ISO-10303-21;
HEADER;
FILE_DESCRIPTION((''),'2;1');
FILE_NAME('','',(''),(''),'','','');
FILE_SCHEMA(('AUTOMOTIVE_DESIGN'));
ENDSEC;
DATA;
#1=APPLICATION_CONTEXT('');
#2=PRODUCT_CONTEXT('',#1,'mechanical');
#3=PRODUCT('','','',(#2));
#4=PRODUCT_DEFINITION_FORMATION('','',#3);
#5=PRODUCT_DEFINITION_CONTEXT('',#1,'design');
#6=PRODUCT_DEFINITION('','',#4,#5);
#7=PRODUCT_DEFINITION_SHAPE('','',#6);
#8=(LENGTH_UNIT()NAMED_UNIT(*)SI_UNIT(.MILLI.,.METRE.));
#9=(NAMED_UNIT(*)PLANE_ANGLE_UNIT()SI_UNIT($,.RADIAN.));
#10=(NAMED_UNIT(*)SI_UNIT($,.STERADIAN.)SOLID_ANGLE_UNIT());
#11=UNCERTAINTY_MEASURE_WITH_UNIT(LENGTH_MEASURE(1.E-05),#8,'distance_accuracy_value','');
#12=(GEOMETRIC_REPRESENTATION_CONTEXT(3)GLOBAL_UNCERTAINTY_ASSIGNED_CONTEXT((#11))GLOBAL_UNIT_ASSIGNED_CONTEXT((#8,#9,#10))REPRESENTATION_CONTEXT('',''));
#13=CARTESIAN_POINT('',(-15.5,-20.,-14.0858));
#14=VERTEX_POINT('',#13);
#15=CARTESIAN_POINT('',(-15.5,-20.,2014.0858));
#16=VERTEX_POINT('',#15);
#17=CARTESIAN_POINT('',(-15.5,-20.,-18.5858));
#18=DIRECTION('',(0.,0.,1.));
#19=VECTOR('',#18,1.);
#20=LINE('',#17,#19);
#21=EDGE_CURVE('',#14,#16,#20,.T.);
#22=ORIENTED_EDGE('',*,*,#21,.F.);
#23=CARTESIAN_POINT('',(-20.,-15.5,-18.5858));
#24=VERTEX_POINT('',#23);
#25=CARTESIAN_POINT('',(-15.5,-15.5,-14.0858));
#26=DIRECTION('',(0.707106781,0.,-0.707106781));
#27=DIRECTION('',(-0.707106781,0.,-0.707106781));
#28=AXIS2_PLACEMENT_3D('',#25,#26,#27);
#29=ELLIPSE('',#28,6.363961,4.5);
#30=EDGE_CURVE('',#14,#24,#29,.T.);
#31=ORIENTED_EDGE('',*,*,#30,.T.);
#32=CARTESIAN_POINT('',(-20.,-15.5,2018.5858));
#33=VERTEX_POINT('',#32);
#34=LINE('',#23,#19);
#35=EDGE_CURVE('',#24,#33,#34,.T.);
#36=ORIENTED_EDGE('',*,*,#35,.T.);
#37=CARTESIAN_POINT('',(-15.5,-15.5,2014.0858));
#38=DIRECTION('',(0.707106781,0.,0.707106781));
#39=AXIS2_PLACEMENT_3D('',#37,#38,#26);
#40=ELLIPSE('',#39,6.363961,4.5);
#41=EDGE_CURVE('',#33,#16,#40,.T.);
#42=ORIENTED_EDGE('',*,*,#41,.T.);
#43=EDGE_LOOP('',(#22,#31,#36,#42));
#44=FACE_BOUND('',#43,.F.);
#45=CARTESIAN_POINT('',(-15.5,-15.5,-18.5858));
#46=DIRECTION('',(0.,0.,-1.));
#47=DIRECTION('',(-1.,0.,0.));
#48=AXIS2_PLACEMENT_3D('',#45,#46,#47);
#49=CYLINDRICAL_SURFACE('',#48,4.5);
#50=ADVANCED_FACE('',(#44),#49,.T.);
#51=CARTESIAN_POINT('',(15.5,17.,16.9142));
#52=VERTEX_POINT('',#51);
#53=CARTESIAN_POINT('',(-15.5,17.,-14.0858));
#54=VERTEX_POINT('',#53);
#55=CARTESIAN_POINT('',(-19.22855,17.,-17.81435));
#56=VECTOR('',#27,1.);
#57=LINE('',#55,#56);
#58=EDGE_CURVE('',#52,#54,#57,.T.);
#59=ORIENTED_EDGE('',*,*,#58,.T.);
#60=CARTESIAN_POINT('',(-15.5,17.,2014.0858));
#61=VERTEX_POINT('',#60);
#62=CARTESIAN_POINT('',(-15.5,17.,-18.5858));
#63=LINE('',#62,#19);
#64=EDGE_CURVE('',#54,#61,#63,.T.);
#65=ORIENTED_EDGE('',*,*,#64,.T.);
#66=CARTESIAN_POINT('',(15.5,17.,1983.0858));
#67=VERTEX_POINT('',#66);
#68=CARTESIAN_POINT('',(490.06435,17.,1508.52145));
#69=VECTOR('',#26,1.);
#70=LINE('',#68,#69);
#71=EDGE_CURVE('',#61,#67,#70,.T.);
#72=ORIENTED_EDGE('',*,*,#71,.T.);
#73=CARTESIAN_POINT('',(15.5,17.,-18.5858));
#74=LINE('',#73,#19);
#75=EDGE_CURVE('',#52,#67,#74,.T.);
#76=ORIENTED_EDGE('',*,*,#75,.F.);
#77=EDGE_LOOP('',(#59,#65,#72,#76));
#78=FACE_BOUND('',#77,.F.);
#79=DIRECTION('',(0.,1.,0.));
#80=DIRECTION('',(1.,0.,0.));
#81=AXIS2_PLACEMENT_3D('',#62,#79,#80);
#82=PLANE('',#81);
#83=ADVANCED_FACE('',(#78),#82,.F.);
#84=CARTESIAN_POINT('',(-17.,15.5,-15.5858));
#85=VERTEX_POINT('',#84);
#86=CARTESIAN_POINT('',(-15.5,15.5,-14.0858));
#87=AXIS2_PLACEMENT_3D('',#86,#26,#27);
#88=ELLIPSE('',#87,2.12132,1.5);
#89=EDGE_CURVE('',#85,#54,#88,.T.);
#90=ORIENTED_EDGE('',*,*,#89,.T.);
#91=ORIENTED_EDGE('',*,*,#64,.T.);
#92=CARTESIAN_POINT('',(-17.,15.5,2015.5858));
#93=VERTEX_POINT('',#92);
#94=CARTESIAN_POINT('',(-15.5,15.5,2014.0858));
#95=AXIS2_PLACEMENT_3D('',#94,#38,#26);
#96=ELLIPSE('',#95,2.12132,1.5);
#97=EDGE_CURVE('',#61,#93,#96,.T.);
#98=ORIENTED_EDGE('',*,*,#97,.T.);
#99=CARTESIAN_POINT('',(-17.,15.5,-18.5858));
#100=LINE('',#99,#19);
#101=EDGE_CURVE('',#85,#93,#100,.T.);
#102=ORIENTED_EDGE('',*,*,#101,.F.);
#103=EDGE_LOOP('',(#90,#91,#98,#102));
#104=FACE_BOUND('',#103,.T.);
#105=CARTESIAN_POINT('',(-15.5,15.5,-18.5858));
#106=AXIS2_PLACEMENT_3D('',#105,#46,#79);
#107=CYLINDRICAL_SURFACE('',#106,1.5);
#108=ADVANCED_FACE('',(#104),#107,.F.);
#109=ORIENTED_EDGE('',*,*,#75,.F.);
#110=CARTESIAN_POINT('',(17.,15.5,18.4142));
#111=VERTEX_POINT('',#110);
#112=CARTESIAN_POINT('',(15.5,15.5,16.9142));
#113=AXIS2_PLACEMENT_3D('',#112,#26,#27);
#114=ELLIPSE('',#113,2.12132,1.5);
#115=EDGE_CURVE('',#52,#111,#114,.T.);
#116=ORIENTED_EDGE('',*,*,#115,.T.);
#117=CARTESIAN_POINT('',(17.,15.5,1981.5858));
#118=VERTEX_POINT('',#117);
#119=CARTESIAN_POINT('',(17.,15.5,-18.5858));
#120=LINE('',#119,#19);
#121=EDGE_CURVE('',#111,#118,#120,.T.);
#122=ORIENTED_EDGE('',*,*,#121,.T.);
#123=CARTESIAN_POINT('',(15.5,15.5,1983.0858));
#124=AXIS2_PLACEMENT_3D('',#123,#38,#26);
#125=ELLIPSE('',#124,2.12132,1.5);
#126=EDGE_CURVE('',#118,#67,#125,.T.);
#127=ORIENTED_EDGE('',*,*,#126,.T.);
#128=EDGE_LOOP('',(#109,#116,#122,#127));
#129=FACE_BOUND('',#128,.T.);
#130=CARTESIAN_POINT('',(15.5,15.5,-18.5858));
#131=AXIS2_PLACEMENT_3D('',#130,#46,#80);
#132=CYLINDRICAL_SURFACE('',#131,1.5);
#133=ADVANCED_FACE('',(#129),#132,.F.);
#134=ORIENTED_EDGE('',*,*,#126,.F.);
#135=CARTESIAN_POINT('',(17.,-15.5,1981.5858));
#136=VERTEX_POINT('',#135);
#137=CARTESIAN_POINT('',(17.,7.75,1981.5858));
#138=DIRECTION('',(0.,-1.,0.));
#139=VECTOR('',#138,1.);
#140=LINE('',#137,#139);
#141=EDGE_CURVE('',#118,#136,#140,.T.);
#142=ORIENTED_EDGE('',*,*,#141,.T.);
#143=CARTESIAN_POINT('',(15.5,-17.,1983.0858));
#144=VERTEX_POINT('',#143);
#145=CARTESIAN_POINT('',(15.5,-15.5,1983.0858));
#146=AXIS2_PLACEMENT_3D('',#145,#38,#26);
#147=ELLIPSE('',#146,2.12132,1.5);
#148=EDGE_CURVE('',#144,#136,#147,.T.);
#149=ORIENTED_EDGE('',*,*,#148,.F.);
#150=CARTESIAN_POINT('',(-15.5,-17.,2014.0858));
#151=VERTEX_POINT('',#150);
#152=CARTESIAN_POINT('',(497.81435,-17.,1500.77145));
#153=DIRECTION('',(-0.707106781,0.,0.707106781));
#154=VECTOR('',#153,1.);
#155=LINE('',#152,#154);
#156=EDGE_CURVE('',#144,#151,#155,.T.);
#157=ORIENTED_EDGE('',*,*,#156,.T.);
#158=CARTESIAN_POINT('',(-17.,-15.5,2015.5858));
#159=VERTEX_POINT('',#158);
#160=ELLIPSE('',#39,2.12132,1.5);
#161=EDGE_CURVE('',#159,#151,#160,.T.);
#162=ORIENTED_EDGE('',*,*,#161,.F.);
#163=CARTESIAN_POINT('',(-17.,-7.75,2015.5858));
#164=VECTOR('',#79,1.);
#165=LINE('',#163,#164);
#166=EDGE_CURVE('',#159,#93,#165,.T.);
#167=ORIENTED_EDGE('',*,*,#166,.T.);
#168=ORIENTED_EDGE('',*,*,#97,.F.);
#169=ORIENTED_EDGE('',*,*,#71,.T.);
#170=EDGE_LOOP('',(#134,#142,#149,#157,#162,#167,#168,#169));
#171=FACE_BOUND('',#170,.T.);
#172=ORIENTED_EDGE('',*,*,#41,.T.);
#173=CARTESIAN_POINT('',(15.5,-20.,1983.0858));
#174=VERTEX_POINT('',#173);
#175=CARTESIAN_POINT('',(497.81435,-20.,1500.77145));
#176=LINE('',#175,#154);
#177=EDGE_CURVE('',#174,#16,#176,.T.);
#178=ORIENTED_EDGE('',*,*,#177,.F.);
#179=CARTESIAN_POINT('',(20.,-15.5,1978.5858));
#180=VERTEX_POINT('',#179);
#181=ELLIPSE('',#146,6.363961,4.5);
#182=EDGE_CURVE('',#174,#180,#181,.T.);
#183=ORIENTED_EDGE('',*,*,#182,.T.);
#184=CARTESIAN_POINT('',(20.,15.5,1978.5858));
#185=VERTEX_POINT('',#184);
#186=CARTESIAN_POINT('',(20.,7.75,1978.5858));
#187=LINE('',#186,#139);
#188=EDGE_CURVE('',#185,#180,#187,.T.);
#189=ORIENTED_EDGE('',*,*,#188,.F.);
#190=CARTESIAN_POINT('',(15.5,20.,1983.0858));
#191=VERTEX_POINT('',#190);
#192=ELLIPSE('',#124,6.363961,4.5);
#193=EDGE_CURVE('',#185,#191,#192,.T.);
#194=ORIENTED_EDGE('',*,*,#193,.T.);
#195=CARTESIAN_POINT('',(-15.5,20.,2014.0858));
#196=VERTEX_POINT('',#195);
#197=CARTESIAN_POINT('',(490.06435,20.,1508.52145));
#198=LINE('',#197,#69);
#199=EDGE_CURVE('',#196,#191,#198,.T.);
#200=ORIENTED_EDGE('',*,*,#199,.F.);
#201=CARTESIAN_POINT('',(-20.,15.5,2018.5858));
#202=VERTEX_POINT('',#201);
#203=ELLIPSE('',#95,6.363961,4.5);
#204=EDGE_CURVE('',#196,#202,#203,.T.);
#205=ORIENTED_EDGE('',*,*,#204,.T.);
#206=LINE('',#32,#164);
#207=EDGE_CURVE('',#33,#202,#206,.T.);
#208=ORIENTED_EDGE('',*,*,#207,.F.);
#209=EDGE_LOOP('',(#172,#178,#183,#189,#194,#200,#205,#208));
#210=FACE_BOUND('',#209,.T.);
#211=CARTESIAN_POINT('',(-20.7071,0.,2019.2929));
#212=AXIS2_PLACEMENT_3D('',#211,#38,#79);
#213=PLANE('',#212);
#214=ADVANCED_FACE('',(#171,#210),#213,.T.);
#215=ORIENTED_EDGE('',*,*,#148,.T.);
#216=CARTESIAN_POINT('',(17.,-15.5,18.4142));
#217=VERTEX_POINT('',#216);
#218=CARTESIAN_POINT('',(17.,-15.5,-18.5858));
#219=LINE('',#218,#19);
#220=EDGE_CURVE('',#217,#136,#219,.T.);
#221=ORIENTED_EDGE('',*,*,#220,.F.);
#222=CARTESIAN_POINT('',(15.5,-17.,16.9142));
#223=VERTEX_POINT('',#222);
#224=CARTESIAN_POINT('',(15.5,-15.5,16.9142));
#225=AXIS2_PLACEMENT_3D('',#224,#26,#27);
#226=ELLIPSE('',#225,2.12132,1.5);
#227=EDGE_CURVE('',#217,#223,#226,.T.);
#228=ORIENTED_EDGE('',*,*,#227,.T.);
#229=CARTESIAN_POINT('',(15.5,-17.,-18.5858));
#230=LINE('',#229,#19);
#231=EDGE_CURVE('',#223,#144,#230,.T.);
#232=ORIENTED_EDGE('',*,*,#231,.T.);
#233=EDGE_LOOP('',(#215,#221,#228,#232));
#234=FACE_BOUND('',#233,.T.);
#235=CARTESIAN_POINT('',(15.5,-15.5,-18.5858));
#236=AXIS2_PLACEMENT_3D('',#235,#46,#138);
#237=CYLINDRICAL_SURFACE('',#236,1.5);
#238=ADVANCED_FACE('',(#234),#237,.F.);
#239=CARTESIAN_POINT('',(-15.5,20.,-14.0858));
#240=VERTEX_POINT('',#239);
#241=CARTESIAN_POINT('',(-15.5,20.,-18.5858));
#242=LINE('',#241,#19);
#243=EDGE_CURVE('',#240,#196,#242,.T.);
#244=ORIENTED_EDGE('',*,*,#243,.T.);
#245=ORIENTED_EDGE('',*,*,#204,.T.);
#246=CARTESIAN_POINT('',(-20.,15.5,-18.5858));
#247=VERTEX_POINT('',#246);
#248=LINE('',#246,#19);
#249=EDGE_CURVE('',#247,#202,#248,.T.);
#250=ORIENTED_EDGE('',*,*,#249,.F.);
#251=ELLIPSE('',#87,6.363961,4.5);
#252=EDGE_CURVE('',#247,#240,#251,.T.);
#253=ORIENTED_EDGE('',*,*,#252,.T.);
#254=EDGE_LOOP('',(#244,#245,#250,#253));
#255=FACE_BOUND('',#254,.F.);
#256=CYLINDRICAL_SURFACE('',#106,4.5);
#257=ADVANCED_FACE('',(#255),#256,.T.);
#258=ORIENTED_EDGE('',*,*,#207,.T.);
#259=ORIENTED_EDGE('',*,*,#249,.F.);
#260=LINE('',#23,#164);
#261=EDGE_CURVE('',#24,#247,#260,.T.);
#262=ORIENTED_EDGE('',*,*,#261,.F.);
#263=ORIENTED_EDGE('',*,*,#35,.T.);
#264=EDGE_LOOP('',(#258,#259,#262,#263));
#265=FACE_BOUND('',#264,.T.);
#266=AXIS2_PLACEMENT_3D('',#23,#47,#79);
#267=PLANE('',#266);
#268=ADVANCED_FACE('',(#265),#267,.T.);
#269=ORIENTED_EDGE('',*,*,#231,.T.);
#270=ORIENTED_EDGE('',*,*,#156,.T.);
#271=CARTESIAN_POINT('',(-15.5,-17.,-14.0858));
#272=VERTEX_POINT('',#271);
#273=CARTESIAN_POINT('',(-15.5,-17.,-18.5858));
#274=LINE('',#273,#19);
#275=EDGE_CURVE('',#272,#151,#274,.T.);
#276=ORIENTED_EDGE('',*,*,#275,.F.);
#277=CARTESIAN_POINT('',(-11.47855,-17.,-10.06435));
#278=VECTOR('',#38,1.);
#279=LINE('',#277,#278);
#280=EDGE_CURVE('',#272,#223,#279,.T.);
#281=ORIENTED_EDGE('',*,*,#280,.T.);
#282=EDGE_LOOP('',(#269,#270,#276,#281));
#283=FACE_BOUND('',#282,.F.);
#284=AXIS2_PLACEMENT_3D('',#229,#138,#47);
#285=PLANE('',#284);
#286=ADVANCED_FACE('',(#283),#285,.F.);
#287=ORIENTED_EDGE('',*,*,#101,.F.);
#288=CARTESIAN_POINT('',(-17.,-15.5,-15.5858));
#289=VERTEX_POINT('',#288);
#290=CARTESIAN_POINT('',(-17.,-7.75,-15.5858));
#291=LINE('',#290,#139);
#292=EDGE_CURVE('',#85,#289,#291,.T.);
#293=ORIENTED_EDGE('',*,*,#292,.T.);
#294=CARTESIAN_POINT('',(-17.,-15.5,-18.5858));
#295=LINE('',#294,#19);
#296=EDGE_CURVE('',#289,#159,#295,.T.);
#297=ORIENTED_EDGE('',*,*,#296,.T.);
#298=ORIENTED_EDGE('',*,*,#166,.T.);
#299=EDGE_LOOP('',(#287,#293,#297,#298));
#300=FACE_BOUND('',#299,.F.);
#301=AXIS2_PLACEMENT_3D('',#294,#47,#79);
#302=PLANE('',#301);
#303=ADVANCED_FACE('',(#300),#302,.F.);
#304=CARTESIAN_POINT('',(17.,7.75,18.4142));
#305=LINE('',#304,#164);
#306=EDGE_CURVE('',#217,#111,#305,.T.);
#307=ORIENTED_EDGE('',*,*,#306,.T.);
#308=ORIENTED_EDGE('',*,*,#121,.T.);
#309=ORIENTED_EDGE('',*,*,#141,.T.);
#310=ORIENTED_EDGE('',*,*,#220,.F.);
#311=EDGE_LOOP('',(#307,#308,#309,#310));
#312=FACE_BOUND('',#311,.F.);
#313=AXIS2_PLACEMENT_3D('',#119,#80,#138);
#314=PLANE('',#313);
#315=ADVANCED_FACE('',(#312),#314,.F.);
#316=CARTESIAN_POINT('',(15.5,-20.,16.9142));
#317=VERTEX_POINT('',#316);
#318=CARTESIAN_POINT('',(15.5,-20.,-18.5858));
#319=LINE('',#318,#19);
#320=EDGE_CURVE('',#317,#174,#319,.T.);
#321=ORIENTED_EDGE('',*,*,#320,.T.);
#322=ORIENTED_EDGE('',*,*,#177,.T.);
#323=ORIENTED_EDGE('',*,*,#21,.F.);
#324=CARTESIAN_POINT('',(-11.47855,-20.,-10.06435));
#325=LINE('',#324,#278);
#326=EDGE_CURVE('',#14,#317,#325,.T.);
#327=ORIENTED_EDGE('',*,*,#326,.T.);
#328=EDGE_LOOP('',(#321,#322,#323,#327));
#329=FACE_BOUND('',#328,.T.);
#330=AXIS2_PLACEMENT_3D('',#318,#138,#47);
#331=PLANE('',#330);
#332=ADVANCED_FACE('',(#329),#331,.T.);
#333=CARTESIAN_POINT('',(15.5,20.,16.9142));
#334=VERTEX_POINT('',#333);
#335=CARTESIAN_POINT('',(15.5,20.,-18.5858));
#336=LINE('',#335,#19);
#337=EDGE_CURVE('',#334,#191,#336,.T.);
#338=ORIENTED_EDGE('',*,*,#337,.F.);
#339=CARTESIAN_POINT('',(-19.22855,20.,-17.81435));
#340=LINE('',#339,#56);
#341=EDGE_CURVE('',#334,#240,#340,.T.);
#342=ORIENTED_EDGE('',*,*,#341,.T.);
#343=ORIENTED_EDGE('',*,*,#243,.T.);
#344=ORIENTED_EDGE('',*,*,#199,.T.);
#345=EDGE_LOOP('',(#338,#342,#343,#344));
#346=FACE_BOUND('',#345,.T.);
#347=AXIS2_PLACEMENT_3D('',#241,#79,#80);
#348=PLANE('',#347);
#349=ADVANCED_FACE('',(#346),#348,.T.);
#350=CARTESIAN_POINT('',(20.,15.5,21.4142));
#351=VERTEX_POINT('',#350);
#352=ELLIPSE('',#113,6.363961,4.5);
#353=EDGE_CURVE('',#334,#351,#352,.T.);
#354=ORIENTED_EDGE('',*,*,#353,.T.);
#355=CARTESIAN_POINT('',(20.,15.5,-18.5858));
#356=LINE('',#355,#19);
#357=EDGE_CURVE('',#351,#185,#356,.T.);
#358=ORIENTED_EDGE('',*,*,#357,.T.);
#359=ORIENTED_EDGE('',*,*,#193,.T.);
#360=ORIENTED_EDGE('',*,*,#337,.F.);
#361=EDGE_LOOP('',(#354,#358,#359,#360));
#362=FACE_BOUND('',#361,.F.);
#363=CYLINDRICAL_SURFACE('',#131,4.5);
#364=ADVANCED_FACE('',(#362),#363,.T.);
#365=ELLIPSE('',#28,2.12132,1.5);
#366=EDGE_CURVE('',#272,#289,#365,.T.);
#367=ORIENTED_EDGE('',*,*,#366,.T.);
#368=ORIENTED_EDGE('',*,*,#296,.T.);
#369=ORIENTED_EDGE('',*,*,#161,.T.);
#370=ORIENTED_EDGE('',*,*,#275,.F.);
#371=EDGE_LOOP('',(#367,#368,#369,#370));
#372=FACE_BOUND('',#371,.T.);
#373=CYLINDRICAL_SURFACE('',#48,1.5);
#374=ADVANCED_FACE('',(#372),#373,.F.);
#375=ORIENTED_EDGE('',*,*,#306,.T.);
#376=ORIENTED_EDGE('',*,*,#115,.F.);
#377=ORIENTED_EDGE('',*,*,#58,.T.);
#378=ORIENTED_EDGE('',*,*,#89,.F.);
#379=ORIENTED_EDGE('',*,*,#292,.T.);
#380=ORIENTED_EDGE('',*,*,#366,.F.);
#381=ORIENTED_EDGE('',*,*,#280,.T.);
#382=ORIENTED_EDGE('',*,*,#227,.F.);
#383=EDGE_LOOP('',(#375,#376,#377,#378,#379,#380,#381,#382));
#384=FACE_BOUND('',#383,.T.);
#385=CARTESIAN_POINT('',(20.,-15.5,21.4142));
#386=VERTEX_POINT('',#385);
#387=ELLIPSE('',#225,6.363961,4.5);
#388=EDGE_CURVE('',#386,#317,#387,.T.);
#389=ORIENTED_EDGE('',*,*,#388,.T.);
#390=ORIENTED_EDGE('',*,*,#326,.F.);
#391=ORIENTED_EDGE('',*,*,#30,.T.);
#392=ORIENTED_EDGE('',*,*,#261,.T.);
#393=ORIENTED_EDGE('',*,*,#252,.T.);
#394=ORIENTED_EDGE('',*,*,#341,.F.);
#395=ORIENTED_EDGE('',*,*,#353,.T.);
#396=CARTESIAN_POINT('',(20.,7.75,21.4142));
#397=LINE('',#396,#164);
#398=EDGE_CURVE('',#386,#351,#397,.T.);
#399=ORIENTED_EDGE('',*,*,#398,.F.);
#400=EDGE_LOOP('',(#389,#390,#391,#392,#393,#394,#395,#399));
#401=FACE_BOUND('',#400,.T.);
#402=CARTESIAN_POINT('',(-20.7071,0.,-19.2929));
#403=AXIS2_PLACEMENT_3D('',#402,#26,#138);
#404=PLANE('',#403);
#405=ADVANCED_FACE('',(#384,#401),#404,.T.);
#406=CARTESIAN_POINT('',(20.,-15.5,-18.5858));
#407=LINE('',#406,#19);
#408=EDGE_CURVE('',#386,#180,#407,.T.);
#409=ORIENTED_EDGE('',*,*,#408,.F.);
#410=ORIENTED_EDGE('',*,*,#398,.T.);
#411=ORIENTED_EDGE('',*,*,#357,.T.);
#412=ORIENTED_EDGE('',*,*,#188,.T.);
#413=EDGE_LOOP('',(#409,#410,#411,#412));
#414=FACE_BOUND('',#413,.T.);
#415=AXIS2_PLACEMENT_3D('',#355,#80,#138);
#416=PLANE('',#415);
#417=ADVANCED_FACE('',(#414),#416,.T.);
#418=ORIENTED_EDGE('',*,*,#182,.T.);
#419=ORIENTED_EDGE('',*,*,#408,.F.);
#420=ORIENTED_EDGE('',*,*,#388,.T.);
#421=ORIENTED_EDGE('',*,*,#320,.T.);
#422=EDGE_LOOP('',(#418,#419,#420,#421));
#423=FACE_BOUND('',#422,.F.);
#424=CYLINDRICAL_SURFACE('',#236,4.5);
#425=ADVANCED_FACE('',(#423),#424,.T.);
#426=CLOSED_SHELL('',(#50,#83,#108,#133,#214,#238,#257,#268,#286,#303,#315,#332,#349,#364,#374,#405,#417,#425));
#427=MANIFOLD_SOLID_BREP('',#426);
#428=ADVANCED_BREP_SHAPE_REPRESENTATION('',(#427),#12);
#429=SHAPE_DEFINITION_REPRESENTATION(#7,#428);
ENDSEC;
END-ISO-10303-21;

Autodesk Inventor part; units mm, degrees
ref_plane "Start Plane" through (0, 0, -18.5858) normal (0, 0, 1) x (1, 0, 0)
ref_plane "End Plane" through (0, 0, 2018.5858) normal (0, 0, 1) x (1, 0, 0)
sketch "Sketch" plane through (0, 0, 0) normal (0, 0, 1) x (1, 0, 0)
  line L0 (-20, -15.5) -> (-20, 15.5)
  line L1 (-15.5, 20) -> (15.5, 20)
  line L2 (20, 15.5) -> (20, -15.5)
  line L3 (15.5, -20) -> (-15.5, -20)
  arc A0 (-20, -15.5) -> (-15.5, -20) centre (-15.5, -15.5) ccw
  arc A1 (-15.5, 20) -> (-20, 15.5) centre (-15.5, 15.5) ccw
  arc A2 (20, 15.5) -> (15.5, 20) centre (15.5, 15.5) ccw
  arc A3 (15.5, -20) -> (20, -15.5) centre (15.5, -15.5) ccw
  arc A4 (-15.5, 17) -> (-17, 15.5) centre (-15.5, 15.5) ccw
  line L4 (-15.5, 17) -> (15.5, 17)
  arc A5 (17, 15.5) -> (15.5, 17) centre (15.5, 15.5) ccw
  line L5 (17, 15.5) -> (17, -15.5)
  arc A6 (15.5, -17) -> (17, -15.5) centre (15.5, -15.5) ccw
  line L6 (15.5, -17) -> (-15.5, -17)
  arc A7 (-17, -15.5) -> (-15.5, -17) centre (-15.5, -15.5) ccw
  line L7 (-17, -15.5) -> (-17, 15.5)
  line L8 (0, 29.3048) -> (0, -29.3048) construction
  line L9 (-29.3048, 0) -> (29.3048, 0) construction
  dimension "d7" = 4.5
  dimension "d10" = 40
  dimension "d11" = 40
  dimension "d12" = 3
  dimension "d15" = 20
  dimension "d16" = 20
extrude "Body" add sketch "Sketch" along normal up to surface (2037.1716 mm away) from surface at -18.5858
sketch "Sketch3" plane through (0, 0, 0) normal (0, 0, 1) x (1, 0, 0)
  line L0 (0, 0) -> (10, 0)
ref_plane "Work Plane3" through (0, 0, 0) normal (0, -1, 0) x (1, 0, 0)
ref_plane "Work Plane4" through (-20.7071, 0, -19.2929) normal (0.7071, 0, -0.7071) x (-0.7071, 0, -0.7071)
split "Split1" plane through (-20.7071, 0, -19.2929) removes the side toward (0.7071, 0, -0.7071)
ref_plane "Work Plane5" through (-20.7071, 0, 2019.2929) normal (0.7071, 0, 0.7071) x (0.7071, 0, -0.7071)
split "Split2" plane through (-20.7071, 0, 2019.2929) removes the side toward (0.7071, 0, 0.7071)
sketch "Sketch4" plane through (0, 0, 0) normal (0, -1, 0) x (1, 0, 0)
  line L0 (-2, -18.5858) -> (12, -18.5858) projected
  line L1 (-2, 2018.5858) -> (12, 2018.5858) projected
  dimension "d18" = 2037.1716
equation "\"d7\" = G_IR"
equation "\"d10\" = G_H"
equation "\"d11\" = G_W"
equation "\"d12\" = G_T"
equation "\"d15\" = 0.5 * d10"
equation "\"d16\" = 0.5 * d11"
equation "\"d3\" = G_L"
equation "\"G_W\" = 40"
equation "\"G_H\" = 40"
equation "\"G_T\" = 3"
equation "\"G_IR\" = 4.5"
equation "\"G_L\" = d18"
equation "\"G_OFFSET_START\" = 18.58579"
equation "\"G_OFFSET_END\" = 18.58579"
equation "\"d13\" = -G_OFFSET_START"
equation "\"d14\" = G_OFFSET_END + B_L"
equation "\"B_L\" = 2000"
properties part number "ISO 12633-2 - 40x40x3 - 2037,17" material "Steel, Mild"
